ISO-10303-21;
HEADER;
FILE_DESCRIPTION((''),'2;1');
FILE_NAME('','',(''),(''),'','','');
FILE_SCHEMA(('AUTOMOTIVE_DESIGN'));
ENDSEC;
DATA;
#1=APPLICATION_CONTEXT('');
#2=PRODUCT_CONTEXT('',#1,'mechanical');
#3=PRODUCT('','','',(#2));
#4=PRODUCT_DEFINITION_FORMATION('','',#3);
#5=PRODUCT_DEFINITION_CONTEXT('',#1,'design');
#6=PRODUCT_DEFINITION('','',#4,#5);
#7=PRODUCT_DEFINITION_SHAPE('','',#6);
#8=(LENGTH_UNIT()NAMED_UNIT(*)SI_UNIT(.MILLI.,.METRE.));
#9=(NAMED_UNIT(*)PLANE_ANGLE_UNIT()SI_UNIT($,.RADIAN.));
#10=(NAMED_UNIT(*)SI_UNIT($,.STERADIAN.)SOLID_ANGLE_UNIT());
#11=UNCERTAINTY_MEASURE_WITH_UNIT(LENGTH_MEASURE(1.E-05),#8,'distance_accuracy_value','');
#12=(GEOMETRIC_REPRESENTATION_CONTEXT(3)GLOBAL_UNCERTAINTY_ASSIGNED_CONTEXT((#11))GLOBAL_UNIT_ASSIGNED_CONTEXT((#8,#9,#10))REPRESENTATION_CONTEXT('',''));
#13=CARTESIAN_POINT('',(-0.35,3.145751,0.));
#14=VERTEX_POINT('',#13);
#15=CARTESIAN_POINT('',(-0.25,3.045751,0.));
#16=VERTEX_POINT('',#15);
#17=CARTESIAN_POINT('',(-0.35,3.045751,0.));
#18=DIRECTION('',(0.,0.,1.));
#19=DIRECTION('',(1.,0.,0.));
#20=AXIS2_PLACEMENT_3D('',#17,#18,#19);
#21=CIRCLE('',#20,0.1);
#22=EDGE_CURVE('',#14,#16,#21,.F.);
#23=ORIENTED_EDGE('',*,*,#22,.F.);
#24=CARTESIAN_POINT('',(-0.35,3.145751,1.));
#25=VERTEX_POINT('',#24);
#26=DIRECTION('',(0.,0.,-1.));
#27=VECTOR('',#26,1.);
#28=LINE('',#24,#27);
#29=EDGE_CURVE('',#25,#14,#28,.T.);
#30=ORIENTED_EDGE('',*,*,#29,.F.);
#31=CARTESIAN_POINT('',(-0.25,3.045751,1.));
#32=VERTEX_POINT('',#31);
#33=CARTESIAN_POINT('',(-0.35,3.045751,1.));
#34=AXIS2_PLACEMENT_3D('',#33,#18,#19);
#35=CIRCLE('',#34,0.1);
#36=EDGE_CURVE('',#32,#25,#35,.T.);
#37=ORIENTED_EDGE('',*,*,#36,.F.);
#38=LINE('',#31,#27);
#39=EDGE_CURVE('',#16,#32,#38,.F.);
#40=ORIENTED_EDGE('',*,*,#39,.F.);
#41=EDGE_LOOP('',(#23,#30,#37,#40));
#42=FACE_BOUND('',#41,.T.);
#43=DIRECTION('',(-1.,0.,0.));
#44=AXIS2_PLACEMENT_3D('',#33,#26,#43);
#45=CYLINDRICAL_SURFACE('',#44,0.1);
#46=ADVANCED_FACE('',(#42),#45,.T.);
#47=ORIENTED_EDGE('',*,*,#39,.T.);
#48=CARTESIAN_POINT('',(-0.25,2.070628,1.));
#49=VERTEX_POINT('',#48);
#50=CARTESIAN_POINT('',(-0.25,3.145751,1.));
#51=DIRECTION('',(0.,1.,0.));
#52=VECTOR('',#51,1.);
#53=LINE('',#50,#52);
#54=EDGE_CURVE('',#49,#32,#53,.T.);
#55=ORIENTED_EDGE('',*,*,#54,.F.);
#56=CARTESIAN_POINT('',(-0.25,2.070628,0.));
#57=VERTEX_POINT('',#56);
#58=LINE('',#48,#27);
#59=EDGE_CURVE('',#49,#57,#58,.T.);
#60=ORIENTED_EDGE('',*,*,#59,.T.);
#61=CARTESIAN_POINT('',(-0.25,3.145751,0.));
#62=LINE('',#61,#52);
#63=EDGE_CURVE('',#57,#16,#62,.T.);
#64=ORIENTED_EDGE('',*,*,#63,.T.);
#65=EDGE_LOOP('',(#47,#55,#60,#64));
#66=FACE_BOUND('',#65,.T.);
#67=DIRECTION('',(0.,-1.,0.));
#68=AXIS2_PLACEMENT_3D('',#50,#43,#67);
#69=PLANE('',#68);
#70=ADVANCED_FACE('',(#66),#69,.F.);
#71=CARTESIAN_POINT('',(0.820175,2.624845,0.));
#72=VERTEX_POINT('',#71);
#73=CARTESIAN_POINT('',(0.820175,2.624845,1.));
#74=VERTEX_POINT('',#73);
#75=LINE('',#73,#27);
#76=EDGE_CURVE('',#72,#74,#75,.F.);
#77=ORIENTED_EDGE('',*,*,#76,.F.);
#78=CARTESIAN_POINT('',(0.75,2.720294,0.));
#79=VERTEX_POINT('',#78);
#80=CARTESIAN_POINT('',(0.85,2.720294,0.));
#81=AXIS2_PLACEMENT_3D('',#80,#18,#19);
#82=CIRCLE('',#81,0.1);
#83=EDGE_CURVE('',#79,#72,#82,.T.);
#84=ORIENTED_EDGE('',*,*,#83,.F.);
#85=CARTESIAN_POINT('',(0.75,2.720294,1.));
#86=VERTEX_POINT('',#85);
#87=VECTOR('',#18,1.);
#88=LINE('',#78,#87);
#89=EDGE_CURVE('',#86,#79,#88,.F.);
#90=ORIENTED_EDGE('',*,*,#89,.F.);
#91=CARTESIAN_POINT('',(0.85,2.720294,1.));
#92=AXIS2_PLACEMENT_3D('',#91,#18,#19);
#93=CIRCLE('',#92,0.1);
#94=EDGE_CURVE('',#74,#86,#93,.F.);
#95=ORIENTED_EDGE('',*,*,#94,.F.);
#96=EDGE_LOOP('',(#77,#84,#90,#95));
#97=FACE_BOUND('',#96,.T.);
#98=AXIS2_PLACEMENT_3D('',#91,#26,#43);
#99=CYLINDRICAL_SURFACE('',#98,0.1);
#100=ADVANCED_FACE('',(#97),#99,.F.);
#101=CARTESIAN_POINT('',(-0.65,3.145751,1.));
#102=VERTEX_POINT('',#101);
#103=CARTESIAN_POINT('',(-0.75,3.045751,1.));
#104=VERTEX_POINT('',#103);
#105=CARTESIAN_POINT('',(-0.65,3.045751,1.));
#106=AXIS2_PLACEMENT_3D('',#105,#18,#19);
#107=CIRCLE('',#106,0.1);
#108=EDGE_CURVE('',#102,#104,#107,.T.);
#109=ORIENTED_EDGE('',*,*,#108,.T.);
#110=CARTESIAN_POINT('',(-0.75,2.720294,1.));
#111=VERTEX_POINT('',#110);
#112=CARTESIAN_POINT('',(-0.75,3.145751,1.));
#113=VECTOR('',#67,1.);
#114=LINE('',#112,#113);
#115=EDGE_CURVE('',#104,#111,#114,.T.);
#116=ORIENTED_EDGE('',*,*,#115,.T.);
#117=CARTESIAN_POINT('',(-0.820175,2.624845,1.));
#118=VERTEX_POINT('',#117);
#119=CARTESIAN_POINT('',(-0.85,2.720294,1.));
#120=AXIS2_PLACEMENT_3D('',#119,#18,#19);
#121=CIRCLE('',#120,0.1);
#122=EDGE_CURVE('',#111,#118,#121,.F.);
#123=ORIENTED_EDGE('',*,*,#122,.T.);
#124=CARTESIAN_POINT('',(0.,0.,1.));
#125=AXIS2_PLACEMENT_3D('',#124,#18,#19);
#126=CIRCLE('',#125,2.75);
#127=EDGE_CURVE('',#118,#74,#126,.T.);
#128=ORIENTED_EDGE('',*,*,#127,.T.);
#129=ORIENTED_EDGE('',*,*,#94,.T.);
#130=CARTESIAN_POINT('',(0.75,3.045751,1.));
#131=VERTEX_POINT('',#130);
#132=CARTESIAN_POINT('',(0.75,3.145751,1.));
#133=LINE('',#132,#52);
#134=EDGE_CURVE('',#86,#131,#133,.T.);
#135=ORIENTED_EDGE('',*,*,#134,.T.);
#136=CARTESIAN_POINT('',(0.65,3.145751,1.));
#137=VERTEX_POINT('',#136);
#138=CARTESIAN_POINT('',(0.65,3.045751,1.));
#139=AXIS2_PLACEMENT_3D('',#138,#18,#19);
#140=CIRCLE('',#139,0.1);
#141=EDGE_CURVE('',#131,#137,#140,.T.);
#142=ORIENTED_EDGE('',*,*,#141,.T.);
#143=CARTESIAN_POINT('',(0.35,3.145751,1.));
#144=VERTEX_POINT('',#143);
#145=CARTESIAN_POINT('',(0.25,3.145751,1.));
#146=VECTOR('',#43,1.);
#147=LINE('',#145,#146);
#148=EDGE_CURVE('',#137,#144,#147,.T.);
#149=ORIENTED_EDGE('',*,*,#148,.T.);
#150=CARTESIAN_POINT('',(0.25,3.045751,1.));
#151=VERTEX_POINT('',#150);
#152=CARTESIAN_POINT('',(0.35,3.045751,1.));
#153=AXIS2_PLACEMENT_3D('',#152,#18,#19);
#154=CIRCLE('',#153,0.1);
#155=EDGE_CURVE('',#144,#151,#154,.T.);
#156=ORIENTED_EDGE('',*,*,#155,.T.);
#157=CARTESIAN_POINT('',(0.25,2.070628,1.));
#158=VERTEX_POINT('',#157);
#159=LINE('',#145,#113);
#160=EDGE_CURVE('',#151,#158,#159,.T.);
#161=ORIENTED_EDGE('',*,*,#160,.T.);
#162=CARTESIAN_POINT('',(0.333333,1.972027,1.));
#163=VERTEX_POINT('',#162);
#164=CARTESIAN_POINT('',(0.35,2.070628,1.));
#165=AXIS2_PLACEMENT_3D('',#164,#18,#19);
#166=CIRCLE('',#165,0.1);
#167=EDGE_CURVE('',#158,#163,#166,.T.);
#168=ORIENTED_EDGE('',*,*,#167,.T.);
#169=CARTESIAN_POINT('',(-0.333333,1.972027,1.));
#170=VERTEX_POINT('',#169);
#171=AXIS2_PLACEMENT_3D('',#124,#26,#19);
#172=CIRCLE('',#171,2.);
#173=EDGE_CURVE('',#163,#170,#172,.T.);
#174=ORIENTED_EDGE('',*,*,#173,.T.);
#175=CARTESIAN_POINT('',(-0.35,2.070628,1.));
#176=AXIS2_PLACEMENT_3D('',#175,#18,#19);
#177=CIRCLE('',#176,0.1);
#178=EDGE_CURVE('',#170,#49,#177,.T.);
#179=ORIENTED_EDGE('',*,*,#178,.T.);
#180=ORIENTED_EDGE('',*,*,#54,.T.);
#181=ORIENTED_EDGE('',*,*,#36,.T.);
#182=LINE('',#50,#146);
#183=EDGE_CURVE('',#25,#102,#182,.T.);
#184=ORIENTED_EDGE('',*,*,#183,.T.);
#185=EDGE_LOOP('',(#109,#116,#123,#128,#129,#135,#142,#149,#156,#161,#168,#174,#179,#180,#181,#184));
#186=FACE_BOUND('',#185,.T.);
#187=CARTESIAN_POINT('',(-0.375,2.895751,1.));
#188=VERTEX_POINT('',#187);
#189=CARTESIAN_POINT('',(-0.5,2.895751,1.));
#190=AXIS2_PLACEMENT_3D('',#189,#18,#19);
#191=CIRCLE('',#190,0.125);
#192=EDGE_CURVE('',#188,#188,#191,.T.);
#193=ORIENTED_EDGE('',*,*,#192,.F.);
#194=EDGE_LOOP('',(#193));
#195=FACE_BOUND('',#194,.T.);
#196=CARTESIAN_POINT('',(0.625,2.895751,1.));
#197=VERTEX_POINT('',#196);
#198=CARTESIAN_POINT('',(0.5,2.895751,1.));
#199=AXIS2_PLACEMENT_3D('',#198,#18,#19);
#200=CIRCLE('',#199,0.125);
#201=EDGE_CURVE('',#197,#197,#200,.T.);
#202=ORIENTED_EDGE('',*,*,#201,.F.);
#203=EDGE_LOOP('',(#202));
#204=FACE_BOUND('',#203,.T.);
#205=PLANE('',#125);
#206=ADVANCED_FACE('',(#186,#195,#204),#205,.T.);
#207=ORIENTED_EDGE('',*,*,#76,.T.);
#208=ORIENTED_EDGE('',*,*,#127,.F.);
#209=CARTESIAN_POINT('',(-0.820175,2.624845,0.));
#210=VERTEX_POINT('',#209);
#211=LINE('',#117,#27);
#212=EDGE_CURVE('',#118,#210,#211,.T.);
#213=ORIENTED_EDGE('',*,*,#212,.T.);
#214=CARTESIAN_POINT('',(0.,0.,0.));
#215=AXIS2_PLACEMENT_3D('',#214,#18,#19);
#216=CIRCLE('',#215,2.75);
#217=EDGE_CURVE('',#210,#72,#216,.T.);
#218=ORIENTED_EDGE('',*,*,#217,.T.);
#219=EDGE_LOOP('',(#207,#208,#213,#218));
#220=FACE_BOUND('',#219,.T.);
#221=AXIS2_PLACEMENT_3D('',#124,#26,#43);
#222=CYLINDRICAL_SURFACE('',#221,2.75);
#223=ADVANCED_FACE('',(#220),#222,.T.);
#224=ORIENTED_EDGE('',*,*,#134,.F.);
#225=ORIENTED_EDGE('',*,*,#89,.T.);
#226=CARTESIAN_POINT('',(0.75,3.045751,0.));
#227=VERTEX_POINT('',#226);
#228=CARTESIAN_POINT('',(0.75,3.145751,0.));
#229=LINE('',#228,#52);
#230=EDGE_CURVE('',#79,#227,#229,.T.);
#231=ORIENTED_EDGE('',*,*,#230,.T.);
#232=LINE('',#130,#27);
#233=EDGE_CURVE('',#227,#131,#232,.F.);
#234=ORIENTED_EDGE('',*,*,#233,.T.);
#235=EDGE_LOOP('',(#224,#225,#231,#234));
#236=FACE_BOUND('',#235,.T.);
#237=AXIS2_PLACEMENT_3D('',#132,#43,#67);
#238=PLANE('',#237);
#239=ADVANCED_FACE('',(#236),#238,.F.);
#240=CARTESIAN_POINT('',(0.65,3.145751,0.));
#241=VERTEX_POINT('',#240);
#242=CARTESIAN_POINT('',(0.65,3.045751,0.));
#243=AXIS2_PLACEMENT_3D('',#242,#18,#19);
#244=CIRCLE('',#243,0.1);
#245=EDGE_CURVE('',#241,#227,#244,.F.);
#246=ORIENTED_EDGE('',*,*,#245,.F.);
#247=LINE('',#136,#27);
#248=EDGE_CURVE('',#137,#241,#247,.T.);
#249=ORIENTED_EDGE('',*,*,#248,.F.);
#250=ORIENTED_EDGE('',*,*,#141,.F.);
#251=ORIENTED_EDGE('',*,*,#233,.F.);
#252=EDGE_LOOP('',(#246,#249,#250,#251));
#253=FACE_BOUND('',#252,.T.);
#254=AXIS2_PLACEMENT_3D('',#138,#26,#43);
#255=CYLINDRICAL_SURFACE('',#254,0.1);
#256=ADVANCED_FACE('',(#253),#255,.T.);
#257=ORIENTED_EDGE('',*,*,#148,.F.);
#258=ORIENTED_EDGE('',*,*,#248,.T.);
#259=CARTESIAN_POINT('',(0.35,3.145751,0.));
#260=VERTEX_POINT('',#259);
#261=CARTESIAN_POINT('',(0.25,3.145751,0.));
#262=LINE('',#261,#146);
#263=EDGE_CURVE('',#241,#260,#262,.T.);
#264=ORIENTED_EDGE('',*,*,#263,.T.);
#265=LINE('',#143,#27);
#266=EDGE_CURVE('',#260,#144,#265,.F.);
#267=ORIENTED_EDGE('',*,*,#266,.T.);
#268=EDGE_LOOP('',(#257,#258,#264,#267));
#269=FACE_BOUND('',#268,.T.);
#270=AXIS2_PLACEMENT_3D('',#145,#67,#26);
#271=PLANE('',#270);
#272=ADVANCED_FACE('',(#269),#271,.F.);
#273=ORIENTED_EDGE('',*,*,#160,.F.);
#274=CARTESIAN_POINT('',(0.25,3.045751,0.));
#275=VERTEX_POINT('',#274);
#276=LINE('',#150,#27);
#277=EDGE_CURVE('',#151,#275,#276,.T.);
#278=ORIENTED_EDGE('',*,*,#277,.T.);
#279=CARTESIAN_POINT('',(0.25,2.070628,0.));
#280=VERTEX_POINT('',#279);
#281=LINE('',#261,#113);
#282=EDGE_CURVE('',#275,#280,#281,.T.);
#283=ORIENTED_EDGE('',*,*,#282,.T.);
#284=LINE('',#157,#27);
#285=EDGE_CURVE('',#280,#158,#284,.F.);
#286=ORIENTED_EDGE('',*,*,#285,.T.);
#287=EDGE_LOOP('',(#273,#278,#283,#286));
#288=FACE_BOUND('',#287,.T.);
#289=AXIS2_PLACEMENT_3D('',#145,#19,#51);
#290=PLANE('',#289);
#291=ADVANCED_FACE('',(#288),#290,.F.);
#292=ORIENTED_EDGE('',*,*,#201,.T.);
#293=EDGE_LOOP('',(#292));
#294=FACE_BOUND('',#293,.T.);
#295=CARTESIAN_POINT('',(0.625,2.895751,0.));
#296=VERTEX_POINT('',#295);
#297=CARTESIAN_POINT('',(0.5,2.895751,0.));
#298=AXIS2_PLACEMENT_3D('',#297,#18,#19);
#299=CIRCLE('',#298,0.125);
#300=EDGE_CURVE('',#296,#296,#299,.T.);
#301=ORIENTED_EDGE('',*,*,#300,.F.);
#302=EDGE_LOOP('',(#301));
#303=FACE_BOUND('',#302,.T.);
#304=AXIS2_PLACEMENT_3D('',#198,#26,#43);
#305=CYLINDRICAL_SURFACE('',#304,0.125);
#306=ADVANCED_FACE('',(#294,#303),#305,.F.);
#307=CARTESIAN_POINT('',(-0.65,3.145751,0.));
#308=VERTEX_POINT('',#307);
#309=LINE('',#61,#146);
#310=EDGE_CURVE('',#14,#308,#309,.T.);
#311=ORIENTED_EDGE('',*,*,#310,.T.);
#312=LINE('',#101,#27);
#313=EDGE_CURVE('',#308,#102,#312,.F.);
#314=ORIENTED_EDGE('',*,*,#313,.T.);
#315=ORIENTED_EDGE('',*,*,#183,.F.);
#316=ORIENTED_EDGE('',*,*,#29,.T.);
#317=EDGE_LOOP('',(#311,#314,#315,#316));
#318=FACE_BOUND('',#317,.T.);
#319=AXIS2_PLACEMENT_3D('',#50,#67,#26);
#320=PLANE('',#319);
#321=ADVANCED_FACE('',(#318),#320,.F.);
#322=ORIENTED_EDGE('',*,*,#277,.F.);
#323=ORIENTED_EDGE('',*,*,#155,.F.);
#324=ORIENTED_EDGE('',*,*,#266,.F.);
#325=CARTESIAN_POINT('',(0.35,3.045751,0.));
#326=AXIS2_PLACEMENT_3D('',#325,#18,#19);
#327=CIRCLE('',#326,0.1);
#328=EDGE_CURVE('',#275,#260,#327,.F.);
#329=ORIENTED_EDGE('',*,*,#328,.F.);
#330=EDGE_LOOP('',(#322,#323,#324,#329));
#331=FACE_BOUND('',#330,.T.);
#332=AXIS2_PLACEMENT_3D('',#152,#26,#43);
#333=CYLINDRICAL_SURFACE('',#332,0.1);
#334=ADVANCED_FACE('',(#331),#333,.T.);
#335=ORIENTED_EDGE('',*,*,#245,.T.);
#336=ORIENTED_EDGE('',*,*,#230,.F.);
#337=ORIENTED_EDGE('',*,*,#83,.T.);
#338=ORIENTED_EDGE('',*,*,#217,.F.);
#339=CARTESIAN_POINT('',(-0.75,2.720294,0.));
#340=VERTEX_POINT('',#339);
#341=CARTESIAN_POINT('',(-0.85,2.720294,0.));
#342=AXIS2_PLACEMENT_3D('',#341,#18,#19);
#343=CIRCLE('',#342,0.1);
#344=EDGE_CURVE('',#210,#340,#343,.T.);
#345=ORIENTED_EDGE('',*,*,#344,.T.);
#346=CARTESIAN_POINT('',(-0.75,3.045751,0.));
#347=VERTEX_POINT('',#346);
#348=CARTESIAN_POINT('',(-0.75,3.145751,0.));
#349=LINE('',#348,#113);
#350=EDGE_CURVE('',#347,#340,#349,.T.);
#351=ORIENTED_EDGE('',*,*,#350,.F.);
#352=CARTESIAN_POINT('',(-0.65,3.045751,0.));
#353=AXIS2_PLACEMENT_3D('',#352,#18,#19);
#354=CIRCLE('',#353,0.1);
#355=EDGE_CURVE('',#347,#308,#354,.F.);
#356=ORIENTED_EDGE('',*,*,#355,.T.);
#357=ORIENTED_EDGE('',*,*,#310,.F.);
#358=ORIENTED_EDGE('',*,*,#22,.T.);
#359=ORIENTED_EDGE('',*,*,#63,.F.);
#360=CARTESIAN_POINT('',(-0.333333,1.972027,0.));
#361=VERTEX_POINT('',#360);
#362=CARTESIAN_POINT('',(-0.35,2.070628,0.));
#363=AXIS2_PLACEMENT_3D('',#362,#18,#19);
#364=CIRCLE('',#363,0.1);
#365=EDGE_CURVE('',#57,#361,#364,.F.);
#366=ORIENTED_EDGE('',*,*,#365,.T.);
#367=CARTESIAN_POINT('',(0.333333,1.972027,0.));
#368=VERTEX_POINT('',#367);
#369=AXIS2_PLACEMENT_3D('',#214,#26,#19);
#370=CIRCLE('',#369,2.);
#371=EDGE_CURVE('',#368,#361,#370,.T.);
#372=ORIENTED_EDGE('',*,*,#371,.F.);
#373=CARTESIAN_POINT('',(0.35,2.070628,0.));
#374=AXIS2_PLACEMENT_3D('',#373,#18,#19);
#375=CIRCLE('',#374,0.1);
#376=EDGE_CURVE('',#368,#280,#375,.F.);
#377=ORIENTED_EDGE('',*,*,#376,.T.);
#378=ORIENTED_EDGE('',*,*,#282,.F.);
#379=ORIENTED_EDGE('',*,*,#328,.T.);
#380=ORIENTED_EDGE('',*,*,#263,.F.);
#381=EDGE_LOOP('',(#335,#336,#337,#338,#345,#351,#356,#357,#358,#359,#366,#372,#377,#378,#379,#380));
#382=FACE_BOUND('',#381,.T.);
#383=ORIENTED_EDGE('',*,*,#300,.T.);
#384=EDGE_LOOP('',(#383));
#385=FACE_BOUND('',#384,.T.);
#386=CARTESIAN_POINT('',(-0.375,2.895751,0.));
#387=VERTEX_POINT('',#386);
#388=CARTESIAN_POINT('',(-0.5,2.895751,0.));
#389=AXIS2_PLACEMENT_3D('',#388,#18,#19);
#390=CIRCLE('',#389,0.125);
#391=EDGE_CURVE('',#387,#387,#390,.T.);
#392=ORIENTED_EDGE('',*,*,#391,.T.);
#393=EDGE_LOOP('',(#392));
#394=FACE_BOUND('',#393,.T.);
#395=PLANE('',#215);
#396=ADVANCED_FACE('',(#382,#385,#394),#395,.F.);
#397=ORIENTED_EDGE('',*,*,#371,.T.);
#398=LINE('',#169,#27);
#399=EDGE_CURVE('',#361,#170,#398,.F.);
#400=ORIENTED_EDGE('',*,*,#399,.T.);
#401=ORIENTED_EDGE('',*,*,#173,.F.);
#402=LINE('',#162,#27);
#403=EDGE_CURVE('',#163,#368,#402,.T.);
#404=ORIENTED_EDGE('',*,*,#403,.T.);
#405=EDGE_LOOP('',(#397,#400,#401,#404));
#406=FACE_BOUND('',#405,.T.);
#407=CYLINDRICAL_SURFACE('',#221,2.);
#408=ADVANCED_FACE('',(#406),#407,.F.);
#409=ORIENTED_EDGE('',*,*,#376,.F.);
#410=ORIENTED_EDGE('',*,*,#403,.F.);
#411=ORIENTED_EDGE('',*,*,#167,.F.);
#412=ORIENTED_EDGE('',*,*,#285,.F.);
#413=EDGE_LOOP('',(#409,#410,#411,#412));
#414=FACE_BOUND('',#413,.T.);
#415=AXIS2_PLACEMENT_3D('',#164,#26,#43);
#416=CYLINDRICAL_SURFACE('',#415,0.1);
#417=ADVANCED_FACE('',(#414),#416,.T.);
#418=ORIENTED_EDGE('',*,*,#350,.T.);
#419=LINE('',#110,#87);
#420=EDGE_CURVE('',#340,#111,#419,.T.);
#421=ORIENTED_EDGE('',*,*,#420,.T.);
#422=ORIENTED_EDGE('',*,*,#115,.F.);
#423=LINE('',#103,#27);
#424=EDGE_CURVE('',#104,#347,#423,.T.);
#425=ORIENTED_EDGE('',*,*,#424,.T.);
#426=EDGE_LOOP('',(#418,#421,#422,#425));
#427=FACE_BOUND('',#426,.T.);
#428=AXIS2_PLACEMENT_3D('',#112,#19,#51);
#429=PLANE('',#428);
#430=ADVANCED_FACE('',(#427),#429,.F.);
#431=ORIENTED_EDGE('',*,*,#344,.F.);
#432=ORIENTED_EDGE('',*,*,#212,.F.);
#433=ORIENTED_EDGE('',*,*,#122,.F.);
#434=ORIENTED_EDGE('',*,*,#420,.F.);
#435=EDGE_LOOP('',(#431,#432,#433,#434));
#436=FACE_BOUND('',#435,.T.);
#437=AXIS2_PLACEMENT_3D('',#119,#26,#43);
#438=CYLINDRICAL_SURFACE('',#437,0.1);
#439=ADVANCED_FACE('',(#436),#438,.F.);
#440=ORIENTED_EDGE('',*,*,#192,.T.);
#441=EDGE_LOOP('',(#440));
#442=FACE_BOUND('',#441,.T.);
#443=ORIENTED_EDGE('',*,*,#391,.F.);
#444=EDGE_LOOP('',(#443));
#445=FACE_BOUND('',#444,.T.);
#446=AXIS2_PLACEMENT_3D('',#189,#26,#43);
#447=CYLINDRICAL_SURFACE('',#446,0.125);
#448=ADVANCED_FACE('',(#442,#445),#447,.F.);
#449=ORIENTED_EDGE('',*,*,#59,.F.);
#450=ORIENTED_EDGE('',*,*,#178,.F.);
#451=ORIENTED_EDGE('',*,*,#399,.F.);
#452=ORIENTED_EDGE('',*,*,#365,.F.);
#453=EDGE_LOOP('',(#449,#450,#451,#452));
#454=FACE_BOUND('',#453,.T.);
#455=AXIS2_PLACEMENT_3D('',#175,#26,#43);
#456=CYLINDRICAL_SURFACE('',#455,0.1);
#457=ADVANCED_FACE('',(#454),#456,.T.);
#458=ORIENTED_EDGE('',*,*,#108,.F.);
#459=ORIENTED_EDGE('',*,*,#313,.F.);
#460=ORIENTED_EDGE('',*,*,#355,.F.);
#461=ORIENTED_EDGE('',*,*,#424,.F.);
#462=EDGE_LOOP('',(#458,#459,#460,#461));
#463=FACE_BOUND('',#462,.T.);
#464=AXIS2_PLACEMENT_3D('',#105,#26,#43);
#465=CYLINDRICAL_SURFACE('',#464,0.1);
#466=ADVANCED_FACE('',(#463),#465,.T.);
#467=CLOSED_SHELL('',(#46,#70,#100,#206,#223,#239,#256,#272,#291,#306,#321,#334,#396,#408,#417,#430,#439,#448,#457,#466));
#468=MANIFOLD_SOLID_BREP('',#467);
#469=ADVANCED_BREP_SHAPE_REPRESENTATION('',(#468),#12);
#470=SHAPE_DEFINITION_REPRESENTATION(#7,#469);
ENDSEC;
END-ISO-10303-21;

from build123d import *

# Parameters (mm, degrees)
SKETCH1_R           = 0.125
BOSS_EXTRUDE1_DEPTH = 1
FILLET1_R           = 0.1


with BuildPart() as part:
    # Sketch1 → Boss-Extrude1 (new body)
    with BuildSketch(Plane.XY):
        with BuildLine():
            Line((-0.25, 3.145751311), (-0.25, 1.984313483))
            ThreePointArc((-0.25, 1.984313483), (0, -2), (0.25, 1.984313483))
            Line((0.25, 1.984313483), (0.25, 3.145751311))
            Line((0.25, 3.145751311), (0.75, 3.145751311))
            Line((0.75, 3.145751311), (0.75, 2.645751311))
            ThreePointArc((0.75, 2.645751311), (0, -2.75), (-0.75, 2.645751311))
            Line((-0.75, 2.645751311), (-0.75, 3.145751311))
            Line((-0.75, 3.145751311), (-0.25, 3.145751311))
        make_face()
        with Locations((-0.5, 2.895751311)):
            Circle(SKETCH1_R, mode=Mode.SUBTRACT)
        with Locations((0.5, 2.895751311)):
            Circle(SKETCH1_R, mode=Mode.SUBTRACT)
    extrude(amount=BOSS_EXTRUDE1_DEPTH)

    # Fillet1
    fillet1_edges = [part.edges().sort_by_distance(p)[0] for p in [
        (-0.25, 3.145751311, 0.5),
        (-0.25, 1.984313483, 0.5),
        (0.25, 1.984313483, 0.5),
        (0.25, 3.145751311, 0.5),
        (0.75, 3.145751311, 0.5),
        (0.75, 2.645751311, 0.5),
        (-0.75, 2.645751311, 0.5),
        (-0.75, 3.145751311, 0.5),
    ]]
    fillet(fillet1_edges, radius=FILLET1_R)


solid = part.part
